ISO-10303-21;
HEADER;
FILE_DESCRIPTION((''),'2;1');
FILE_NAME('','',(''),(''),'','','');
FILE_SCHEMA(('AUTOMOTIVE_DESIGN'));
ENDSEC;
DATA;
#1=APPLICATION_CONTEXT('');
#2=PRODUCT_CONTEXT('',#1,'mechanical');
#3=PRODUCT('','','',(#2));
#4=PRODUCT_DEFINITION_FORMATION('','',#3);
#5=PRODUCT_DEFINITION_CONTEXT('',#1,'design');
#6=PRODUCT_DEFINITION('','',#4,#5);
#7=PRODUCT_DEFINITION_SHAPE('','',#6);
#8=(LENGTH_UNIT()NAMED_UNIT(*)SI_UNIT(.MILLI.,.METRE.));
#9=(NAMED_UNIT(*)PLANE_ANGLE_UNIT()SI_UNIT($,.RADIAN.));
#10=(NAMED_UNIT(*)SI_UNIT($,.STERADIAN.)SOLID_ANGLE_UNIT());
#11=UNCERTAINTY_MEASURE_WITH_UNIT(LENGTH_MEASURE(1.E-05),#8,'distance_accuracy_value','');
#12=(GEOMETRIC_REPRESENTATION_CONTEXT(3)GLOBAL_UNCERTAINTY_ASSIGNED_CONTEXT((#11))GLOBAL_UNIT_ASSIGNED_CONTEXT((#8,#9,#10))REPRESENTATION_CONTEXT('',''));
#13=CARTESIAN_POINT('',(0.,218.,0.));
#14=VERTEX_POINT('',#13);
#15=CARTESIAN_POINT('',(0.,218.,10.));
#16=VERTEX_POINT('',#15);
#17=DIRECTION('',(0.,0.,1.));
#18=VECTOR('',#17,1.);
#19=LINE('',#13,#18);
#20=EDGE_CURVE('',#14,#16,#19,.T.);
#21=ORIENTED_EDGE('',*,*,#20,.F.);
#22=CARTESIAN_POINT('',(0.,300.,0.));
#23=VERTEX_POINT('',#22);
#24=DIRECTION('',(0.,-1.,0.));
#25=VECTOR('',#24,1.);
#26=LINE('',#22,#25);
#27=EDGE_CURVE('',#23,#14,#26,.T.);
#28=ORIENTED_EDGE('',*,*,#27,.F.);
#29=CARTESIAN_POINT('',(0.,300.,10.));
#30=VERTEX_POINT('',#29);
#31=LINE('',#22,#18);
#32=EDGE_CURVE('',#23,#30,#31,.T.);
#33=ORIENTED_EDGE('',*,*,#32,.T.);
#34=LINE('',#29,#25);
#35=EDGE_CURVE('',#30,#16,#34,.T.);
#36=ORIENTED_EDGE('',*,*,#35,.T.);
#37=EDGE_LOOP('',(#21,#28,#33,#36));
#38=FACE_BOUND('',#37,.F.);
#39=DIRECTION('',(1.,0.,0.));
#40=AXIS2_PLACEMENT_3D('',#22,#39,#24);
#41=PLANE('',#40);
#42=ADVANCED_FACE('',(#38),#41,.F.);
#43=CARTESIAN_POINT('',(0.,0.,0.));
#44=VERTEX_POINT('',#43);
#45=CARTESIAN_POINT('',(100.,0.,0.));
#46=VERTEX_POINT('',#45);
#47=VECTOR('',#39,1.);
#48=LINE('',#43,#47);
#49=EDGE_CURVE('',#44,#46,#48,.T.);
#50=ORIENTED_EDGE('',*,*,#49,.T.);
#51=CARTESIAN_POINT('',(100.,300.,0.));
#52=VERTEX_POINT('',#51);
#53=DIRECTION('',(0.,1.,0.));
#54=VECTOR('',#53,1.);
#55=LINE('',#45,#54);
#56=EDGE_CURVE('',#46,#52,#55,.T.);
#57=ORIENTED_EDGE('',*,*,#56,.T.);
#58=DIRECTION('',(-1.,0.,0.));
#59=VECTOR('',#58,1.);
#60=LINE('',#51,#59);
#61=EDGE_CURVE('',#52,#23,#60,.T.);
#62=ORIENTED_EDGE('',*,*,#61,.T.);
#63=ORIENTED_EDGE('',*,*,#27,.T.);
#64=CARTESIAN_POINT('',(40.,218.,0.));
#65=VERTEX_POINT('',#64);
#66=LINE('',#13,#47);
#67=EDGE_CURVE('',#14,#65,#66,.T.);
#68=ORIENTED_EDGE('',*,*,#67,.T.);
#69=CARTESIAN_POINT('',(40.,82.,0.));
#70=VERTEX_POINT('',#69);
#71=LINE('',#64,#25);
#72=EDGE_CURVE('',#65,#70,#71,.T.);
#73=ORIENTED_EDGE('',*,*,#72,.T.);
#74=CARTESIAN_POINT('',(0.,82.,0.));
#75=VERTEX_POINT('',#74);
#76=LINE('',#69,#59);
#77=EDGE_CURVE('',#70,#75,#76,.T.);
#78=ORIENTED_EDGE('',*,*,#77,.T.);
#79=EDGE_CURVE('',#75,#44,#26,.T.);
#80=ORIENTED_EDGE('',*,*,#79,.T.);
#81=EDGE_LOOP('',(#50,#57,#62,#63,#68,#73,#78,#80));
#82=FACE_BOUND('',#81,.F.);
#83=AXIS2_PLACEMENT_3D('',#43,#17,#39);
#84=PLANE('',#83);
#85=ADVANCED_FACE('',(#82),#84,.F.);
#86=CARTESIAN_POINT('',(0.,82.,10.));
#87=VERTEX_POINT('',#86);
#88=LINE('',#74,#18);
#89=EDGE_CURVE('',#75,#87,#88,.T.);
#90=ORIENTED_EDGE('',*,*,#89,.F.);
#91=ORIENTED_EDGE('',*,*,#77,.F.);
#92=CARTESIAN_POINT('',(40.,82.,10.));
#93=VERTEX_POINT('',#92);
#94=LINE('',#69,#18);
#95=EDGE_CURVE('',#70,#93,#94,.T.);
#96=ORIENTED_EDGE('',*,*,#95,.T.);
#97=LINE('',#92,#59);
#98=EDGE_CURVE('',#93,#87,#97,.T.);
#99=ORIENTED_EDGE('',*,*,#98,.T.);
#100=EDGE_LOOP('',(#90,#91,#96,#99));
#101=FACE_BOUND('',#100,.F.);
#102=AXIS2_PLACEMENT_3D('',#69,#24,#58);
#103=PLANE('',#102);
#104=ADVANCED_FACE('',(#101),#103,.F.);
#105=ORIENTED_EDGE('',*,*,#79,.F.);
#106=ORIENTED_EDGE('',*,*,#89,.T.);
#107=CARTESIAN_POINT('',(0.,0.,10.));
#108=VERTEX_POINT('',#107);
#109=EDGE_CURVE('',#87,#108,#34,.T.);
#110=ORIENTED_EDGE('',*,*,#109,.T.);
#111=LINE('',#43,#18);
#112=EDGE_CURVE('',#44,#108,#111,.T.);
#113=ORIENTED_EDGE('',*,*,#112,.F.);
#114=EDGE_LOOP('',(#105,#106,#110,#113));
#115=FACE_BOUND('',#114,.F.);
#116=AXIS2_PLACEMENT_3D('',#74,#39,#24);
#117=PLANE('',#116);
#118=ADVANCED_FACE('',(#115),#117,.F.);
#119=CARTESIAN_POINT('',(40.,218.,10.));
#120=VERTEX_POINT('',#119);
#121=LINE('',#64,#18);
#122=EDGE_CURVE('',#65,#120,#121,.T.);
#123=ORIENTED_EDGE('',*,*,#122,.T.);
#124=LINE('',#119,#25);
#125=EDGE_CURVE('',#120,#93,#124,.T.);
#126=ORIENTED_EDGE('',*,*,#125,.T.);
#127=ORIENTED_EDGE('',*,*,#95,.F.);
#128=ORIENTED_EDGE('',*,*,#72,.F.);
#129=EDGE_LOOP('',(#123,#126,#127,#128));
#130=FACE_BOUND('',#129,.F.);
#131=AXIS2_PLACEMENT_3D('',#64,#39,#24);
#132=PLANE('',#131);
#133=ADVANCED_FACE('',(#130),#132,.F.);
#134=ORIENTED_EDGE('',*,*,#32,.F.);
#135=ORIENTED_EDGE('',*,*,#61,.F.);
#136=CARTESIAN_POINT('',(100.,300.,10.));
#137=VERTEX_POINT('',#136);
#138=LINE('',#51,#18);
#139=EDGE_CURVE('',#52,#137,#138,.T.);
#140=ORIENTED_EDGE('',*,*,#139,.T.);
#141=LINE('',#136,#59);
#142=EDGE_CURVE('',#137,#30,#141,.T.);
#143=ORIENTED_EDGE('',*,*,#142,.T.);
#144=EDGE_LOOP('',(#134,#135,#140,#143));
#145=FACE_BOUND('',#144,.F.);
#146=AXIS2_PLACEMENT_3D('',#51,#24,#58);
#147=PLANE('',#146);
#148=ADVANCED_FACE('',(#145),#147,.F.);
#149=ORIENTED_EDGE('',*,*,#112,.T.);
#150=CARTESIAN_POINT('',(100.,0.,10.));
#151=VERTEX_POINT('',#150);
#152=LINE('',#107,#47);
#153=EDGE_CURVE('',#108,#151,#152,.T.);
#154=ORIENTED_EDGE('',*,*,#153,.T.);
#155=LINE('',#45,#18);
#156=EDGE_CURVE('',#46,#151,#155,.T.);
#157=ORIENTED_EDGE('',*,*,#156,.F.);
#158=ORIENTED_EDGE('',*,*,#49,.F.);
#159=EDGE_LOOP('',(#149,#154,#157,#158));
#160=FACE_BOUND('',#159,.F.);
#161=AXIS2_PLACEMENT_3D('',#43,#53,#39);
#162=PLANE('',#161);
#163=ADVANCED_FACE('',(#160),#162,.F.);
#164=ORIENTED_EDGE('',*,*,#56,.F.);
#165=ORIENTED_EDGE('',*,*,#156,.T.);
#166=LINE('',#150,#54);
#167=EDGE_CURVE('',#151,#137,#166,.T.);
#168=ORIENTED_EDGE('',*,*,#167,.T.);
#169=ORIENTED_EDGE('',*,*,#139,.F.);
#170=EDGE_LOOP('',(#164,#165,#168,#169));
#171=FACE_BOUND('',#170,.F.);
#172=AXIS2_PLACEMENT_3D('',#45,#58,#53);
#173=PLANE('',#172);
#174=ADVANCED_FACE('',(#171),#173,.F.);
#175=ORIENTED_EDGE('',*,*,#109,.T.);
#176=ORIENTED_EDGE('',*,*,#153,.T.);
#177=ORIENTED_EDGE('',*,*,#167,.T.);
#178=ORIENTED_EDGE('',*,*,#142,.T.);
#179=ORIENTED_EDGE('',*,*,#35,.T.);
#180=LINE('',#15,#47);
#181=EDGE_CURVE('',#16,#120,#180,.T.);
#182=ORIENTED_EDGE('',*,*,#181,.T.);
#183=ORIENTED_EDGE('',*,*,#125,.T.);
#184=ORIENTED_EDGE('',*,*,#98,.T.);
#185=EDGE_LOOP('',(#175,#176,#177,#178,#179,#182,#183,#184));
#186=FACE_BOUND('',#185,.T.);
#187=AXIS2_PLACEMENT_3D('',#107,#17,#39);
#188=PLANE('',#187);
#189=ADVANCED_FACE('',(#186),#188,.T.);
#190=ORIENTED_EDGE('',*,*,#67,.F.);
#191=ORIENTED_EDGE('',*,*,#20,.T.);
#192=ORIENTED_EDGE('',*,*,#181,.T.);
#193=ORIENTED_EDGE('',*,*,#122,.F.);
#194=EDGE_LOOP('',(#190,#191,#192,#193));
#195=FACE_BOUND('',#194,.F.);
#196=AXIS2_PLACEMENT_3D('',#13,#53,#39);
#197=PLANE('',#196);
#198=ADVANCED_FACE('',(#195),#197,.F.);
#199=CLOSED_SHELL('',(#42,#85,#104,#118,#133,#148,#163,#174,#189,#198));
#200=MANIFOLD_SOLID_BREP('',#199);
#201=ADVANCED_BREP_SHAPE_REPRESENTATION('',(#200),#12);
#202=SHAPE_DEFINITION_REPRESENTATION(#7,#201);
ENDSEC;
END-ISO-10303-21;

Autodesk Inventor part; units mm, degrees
ref_plane "YZ Plane" through (0, 0, 0) normal (1, 0, 0) x (0, 1, 0)
ref_plane "XZ Plane" through (0, 0, 0) normal (0, 1, 0) x (-1, 0, 0)
ref_plane "XY Plane" through (0, 0, 0) normal (0, 0, 1) x (1, 0, 0)
sketch "スケッチ1" plane through (0, 0, 0) normal (0, 0, 1) x (1, 0, 0)
  line L0 (0, 0) -> (100, 0)
  line L1 (100, 0) -> (100, 300)
  line L2 (100, 300) -> (0, 300)
  line L3 (0, 300) -> (0, 0)
  line L4 (0, 218) -> (40, 218)
  line L5 (40, 218) -> (40, 82)
  line L6 (40, 82) -> (0, 82)
  line L7 (0, 82) -> (0, 218)
  point P0 (0, 150)
  point P1 (40, 150)
  point P2 (0, 82)
  dimension "d0" = 136
  dimension "d1" = 300
  dimension "d2" = 100
  dimension "d3" = 40
  dimension "d4" = 0
extrude "押し出し1" add sketch "スケッチ1" along normal blind 10 contours L3 L6 L5 L4 L2 L1 L0
properties part number "base"
